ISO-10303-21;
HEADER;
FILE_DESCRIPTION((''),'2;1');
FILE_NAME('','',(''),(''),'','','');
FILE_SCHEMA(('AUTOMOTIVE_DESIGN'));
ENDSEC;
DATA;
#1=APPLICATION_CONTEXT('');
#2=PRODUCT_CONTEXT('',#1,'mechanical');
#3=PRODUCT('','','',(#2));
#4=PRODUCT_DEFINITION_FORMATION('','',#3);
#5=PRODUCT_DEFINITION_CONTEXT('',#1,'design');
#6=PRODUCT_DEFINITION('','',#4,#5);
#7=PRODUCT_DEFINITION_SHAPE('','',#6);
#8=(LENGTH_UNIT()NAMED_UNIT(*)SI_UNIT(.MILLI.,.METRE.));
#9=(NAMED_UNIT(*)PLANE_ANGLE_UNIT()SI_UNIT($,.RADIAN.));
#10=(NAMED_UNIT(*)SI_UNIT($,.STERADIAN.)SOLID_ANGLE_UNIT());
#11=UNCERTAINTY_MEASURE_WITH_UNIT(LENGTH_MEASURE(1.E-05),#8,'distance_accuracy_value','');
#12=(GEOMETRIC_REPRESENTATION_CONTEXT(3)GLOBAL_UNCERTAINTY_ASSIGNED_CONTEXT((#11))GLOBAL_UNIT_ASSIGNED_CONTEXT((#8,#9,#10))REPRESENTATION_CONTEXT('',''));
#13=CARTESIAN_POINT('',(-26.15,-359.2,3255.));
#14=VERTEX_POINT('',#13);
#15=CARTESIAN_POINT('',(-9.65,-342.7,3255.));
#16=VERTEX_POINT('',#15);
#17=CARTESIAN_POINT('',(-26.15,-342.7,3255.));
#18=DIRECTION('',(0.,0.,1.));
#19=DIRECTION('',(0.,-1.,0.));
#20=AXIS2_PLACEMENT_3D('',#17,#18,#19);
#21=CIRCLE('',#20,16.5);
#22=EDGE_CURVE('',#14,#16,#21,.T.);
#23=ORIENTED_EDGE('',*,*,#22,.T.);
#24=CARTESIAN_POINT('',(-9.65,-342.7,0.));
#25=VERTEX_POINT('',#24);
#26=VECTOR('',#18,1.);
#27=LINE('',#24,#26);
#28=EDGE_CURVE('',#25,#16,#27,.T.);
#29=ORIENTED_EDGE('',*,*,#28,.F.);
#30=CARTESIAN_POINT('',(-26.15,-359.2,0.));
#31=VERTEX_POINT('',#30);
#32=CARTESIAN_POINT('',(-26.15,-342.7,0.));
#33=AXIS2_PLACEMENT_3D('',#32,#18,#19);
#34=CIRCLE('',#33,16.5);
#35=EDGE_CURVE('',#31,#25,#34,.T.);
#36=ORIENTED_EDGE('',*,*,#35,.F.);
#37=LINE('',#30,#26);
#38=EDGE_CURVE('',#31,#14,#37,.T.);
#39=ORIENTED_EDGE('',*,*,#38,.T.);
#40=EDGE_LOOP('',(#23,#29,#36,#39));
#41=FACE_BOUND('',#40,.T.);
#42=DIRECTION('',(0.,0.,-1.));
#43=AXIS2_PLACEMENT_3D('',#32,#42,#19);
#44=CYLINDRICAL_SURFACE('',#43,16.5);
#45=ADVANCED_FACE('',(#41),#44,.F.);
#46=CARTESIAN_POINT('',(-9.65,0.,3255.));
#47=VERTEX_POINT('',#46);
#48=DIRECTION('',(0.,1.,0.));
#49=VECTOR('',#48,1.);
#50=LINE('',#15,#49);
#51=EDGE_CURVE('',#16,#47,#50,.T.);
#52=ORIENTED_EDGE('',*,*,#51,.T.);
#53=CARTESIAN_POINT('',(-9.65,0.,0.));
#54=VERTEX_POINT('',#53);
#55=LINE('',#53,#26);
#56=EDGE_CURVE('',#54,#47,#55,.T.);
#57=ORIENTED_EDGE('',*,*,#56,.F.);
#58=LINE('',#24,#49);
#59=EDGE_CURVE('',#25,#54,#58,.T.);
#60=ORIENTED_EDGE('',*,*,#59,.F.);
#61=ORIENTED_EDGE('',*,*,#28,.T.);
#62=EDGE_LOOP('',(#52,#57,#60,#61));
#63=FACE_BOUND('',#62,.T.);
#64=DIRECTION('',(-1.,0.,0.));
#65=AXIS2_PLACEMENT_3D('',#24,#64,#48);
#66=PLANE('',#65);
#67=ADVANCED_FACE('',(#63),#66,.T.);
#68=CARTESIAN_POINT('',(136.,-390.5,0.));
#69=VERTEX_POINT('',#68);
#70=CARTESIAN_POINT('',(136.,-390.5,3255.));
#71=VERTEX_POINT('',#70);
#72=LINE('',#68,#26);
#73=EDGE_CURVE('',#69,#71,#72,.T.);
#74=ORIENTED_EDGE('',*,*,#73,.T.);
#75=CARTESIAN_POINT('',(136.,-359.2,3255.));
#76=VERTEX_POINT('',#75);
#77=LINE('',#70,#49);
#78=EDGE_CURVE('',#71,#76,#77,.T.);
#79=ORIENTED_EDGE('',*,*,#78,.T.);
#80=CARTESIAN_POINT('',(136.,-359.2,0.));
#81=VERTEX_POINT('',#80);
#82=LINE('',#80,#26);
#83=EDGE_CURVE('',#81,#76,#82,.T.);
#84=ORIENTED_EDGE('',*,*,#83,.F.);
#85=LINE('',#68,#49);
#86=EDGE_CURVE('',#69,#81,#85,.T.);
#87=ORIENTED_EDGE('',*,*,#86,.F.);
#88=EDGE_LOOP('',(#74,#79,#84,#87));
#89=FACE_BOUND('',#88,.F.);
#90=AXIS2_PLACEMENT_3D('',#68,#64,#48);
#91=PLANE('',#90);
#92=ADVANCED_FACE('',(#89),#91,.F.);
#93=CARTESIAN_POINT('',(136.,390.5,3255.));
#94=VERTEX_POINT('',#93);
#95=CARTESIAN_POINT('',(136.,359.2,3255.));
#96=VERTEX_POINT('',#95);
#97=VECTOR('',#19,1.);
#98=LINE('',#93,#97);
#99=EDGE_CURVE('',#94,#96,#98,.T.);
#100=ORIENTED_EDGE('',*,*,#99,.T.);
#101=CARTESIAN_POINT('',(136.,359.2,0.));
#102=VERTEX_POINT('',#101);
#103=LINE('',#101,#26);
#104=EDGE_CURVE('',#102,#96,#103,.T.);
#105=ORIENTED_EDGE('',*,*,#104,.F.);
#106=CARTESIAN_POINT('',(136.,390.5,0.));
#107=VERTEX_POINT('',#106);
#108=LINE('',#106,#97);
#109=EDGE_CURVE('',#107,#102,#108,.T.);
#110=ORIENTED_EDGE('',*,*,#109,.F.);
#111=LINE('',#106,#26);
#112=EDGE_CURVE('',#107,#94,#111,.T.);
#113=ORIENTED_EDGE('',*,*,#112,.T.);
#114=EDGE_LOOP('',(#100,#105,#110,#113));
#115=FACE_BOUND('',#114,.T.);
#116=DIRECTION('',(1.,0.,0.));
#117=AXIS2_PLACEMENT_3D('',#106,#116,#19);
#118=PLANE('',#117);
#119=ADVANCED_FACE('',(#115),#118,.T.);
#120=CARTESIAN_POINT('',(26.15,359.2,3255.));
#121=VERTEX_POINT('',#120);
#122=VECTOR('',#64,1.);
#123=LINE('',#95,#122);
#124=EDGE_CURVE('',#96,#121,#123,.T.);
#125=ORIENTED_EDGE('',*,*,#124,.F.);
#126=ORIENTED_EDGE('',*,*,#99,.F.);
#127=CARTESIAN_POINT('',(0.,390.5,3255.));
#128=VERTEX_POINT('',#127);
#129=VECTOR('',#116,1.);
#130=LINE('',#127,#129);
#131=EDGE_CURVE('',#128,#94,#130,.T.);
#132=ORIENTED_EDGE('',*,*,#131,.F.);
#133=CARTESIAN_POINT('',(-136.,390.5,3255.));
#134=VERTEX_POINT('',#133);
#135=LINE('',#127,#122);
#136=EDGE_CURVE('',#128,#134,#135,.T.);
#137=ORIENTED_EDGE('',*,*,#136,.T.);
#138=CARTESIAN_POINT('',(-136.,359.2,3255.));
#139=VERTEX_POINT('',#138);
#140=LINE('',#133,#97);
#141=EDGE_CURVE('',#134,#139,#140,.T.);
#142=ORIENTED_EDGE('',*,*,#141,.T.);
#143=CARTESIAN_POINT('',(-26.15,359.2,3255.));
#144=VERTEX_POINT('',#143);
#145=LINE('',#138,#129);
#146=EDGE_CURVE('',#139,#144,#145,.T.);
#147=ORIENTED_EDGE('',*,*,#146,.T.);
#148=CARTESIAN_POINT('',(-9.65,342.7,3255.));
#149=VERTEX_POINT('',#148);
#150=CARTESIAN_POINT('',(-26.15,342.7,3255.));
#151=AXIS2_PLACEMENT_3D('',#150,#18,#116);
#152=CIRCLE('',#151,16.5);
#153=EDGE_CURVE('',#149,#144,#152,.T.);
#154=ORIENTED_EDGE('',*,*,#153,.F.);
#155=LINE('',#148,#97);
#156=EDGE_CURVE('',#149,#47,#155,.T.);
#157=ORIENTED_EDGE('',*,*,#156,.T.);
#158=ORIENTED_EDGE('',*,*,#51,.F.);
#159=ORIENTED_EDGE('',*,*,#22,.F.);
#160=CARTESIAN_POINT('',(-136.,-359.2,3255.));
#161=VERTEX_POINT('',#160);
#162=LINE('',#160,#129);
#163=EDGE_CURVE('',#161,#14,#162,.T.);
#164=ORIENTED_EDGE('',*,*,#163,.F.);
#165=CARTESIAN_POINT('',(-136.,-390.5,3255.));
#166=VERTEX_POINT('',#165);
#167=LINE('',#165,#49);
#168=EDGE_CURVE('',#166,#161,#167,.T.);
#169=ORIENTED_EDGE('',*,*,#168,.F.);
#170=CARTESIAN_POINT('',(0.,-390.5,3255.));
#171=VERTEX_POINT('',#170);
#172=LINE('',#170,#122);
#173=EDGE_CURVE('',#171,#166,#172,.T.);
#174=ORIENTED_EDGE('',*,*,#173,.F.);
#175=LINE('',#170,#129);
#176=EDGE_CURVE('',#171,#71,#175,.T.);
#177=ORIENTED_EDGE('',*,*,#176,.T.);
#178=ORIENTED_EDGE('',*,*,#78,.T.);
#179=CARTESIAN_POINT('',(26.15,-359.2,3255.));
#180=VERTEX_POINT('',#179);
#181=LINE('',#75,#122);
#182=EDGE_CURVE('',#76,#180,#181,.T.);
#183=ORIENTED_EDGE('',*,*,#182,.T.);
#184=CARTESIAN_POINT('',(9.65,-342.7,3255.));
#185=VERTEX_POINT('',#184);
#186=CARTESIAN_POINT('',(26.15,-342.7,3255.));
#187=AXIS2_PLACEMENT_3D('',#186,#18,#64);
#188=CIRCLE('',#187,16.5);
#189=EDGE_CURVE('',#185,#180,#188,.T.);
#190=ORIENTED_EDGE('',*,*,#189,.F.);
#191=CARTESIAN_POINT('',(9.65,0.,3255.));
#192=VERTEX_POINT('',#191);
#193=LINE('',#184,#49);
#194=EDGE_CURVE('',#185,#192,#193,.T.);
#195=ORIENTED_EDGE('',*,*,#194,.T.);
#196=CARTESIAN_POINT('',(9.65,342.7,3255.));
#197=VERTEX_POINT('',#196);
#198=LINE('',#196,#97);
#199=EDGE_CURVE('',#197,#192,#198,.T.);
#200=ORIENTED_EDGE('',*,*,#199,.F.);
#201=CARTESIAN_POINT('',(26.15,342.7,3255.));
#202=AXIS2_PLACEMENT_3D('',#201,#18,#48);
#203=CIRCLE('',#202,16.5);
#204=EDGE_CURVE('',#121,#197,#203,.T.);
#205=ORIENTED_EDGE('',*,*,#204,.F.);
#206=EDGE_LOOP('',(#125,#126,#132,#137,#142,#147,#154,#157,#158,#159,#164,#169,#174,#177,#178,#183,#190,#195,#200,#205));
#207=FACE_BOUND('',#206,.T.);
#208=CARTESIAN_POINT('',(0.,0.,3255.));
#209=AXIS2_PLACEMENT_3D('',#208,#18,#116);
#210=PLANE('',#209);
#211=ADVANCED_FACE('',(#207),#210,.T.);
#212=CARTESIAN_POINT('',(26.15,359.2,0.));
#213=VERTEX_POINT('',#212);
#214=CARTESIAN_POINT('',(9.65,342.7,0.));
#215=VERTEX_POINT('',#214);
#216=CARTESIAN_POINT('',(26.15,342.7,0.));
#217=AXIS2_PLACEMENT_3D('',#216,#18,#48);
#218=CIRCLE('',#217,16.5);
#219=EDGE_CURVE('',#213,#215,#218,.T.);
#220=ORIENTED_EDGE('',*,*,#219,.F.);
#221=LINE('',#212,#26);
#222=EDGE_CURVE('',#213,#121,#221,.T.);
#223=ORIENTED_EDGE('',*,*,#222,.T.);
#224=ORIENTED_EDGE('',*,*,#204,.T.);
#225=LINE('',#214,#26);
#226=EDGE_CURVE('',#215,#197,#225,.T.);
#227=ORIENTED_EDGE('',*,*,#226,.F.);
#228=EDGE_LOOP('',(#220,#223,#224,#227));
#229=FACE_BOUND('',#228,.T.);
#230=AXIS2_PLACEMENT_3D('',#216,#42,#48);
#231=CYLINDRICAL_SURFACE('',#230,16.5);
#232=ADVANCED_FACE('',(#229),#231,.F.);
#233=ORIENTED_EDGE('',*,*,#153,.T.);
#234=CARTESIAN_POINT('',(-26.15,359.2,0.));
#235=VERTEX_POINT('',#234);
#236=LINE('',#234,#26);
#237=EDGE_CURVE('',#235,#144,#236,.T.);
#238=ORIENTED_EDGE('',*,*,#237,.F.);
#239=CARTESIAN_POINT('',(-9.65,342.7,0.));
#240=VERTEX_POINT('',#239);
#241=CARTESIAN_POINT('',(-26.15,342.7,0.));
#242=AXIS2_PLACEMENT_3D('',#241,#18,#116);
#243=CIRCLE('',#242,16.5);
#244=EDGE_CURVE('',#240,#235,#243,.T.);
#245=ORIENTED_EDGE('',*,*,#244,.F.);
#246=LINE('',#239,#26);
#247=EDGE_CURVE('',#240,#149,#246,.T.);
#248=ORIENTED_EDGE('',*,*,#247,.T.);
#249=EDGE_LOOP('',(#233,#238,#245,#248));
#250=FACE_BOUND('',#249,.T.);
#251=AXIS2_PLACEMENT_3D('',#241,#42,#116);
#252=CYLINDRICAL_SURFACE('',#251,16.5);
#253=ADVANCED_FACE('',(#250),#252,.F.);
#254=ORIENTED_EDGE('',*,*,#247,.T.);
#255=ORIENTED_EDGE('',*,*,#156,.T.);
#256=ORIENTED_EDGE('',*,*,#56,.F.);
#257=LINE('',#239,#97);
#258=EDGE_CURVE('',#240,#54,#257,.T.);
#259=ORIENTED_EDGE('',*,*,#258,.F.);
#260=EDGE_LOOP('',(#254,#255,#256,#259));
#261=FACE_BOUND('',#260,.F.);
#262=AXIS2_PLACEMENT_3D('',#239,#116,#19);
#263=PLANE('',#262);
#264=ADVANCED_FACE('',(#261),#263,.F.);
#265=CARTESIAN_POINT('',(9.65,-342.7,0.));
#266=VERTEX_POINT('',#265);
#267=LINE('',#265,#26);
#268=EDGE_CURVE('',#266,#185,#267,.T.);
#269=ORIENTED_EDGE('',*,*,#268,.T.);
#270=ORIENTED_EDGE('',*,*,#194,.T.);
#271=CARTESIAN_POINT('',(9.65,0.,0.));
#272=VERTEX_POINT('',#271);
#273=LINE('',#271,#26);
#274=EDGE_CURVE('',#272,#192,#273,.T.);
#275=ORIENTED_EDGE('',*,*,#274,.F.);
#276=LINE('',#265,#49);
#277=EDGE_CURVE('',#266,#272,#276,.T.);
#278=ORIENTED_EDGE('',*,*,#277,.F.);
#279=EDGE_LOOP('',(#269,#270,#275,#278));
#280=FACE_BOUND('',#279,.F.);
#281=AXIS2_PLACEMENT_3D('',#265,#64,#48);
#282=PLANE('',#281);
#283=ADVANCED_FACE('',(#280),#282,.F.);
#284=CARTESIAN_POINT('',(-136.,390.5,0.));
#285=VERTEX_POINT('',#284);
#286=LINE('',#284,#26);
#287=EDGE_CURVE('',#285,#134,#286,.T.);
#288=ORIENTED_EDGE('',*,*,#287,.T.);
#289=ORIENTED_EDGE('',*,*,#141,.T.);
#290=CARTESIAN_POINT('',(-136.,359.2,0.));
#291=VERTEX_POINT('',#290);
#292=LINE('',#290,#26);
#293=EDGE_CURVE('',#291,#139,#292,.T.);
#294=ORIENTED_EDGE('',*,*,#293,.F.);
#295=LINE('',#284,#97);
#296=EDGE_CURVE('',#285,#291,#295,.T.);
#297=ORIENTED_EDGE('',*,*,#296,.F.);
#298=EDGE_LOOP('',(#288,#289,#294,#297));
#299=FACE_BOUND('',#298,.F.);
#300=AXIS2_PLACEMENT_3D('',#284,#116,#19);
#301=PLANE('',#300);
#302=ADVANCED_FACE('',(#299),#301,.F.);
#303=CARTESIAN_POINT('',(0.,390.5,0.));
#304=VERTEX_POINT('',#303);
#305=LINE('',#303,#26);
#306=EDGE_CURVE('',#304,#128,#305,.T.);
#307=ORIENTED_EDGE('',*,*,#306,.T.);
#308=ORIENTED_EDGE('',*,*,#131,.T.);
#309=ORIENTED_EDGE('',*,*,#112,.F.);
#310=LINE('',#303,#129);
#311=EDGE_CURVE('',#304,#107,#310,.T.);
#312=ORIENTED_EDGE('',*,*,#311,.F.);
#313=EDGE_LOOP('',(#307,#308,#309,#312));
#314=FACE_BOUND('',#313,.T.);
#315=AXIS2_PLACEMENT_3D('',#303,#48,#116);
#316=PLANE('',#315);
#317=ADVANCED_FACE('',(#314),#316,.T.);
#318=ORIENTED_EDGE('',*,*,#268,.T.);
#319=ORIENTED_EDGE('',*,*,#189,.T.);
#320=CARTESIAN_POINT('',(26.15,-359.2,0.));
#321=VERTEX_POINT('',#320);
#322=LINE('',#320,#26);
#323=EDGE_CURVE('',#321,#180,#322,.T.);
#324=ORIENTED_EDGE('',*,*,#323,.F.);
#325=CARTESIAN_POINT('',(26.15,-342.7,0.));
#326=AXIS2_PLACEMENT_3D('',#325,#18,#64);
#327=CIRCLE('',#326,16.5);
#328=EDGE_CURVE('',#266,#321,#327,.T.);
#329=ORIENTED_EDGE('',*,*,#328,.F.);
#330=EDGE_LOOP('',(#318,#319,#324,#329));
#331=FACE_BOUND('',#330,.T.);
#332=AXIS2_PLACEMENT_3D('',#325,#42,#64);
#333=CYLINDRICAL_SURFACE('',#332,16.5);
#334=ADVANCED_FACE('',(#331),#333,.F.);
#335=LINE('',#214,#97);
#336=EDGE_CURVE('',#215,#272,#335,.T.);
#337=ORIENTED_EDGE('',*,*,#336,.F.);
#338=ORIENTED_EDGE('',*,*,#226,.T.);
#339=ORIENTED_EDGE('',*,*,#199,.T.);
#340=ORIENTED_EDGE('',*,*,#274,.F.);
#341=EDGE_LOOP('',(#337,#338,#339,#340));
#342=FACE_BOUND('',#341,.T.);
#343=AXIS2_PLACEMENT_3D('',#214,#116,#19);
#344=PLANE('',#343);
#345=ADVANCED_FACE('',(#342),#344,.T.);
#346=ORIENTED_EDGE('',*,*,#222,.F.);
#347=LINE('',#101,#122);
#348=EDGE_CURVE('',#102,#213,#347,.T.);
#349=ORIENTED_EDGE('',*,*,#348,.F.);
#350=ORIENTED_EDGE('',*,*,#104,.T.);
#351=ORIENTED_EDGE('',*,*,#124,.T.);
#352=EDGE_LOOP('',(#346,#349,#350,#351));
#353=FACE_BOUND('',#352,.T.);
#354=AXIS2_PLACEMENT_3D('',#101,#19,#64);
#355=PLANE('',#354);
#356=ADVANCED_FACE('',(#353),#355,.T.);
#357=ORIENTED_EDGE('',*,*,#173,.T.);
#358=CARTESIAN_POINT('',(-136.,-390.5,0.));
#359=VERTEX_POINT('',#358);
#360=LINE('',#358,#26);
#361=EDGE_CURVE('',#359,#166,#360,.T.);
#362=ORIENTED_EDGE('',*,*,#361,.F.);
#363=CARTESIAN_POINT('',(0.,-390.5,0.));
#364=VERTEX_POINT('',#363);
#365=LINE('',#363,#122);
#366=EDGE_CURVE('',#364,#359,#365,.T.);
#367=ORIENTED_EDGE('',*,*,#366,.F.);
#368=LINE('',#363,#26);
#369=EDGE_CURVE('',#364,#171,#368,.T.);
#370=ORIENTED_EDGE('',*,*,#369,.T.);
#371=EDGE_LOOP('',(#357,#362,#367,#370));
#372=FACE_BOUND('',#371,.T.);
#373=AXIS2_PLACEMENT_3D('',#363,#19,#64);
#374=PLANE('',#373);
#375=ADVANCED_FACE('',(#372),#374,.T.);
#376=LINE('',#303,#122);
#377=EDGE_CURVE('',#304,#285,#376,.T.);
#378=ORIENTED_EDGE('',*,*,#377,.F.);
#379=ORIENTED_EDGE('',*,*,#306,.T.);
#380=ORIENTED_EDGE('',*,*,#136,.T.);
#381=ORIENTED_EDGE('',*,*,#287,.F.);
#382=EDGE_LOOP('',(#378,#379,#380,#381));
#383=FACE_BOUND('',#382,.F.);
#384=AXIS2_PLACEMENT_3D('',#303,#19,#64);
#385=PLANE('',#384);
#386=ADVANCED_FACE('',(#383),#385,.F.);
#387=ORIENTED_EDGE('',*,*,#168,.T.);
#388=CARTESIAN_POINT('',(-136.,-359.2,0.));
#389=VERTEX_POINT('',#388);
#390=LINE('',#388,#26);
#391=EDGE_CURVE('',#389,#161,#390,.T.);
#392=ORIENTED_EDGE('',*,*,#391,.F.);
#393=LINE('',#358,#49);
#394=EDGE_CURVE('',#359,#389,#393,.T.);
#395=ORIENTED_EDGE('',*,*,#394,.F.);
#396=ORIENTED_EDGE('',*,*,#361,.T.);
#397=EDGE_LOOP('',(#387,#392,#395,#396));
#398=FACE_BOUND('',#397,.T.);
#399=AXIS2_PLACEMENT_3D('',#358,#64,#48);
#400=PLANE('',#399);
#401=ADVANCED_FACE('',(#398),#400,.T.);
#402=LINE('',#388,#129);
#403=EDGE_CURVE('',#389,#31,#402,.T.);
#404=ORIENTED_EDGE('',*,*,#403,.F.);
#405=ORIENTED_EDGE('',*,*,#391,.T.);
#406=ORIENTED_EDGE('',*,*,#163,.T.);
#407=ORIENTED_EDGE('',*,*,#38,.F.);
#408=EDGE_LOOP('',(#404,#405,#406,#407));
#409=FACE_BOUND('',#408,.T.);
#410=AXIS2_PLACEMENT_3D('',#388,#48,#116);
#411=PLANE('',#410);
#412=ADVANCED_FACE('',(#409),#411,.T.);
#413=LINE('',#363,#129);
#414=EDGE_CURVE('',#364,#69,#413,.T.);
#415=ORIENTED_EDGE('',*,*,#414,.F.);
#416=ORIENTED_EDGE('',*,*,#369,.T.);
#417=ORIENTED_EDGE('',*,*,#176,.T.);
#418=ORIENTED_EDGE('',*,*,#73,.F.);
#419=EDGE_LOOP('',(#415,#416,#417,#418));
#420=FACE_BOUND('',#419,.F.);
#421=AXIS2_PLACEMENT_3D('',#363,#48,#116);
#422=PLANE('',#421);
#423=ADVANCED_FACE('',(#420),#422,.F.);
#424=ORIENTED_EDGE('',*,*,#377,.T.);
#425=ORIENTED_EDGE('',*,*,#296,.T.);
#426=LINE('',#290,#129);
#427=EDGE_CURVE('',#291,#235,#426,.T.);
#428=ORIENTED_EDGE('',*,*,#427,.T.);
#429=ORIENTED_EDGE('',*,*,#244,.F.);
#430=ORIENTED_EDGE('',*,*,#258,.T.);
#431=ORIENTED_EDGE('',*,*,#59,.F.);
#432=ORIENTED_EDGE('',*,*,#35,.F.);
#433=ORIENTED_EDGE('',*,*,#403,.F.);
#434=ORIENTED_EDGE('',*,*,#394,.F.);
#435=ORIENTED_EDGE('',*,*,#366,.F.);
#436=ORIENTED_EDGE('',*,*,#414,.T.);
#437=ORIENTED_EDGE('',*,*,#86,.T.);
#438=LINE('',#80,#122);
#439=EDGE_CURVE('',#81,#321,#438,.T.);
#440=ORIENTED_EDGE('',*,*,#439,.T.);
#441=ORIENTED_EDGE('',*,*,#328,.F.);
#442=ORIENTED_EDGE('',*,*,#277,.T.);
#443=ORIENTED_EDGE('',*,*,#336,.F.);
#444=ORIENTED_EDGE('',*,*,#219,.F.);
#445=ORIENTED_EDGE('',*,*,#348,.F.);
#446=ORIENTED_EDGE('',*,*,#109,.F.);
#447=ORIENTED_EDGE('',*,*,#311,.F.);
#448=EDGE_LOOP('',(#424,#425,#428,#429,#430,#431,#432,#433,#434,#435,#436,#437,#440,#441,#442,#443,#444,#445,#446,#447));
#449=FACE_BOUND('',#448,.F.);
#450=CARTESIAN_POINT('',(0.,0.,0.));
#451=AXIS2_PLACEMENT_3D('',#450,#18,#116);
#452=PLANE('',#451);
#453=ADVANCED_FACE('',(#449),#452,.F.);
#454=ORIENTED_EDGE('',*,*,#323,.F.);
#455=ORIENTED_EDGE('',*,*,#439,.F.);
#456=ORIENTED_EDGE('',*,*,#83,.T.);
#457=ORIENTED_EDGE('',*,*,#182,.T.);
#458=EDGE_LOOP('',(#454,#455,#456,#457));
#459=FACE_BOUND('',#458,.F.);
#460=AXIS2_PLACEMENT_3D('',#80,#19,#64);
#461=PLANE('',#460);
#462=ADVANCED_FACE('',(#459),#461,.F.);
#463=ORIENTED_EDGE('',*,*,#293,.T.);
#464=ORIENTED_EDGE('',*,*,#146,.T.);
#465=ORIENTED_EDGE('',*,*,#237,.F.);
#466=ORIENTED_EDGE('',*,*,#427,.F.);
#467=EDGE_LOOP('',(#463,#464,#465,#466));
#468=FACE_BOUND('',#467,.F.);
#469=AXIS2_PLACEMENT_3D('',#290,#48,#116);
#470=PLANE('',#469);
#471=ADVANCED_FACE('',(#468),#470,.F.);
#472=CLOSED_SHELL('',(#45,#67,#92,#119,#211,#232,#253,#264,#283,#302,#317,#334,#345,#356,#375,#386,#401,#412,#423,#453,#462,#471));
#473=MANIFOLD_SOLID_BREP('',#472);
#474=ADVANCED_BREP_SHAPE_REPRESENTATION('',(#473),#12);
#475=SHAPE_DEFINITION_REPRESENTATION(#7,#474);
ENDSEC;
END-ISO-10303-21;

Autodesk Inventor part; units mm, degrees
ref_plane "YZ Plane" through (0, 0, 0) normal (1, 0, 0) x (0, 1, 0)
ref_plane "Start plane" through (0, 0, 0) normal (0, 0, 1) x (1, 0, 0)
ref_plane "End plane" through (0, 0, 3255) normal (0, 0, 1) x (1, 0, 0)
sketch "Sketch" plane through (0, 0, 0) normal (0, 0, 1) x (1, 0, 0)
  line L0 (-136, -390.5) -> (-136, -359.2)
  line L1 (-136, -359.2) -> (-26.15, -359.2)
  line L2 (-9.65, -342.7) -> (-9.65, 0)
  line L3 (-9.65, 0) -> (0, 0) construction
  line L4 (0, 0) -> (0, -390.5) construction
  line L5 (0, -390.5) -> (-136, -390.5)
  line L6 (-60, 0) -> (80, 0) construction
  line L7 (0, -60) -> (0, 80) construction
  line L8 (136, -390.5) -> (136, -359.2)
  line L9 (136, -359.2) -> (26.15, -359.2)
  line L10 (9.65, -342.7) -> (9.65, 0)
  line L11 (9.65, 0) -> (0, 0) construction
  line L12 (0, -390.5) -> (136, -390.5)
  line L13 (-136, 390.5) -> (-136, 359.2)
  line L14 (-136, 359.2) -> (-26.15, 359.2)
  line L15 (-9.65, 342.7) -> (-9.65, 0)
  line L16 (0, 390.5) -> (-136, 390.5)
  line L17 (136, 390.5) -> (136, 359.2)
  line L18 (136, 359.2) -> (26.15, 359.2)
  line L19 (0, 390.5) -> (136, 390.5)
  line L20 (9.65, 342.7) -> (9.65, 0)
  arc A0 (-9.65, 342.7) -> (-26.15, 359.2) centre (-26.15, 342.7) ccw
  arc A1 (26.15, 359.2) -> (9.65, 342.7) centre (26.15, 342.7) ccw
  arc A2 (9.65, -342.7) -> (26.15, -359.2) centre (26.15, -342.7) ccw
  arc A3 (-26.15, -359.2) -> (-9.65, -342.7) centre (-26.15, -342.7) ccw
  line L21 (0, 108) -> (0, -88) construction
  line L22 (-88, 0) -> (108, 0) construction
  point P0 (-9.65, -359.2)
  point P1 (9.65, -359.2)
  point P2 (-9.65, 359.2)
  point P3 (9.65, 359.2)
  dimension "d1" = 390.5
  dimension "d2" = 31.3
  dimension "d3" = 136
  dimension "d4" = 9.65
  dimension "d10" = 16.5
extrude "Body" add sketch "Sketch" along normal up to surface (3255 mm away) from surface at 0
sketch "Sketch4" plane through (0, 0, 0) normal (0, 0, 1) x (1, 0, 0)
  line L0 (0, 0) -> (10, 0)
ref_plane "Work Plane3" through (0, 0, 0) normal (0, -1, 0) x (1, 0, 0)
sketch "Sketch5" plane through (0, 0, 0) normal (0, -1, 0) x (1, 0, 0)
  line L0 (-2, 0) -> (12, 0) projected
  line L1 (-2, 3255) -> (12, 3255) projected
  dimension "d14" = 3255
equation "\"d1\" = 0.5 * G_H"
equation "\"d2\" = G_T1"
equation "\"d3\" = 0.5 * G_W"
equation "\"d4\" = 0.5 * G_T"
equation "\"d10\" = G_IR"
equation "\"d5\" = G_L"
equation "\"G_W\" = 272"
equation "\"G_H\" = 781"
equation "\"G_T\" = 19.3"
equation "\"G_T1\" = 31.3"
equation "\"G_IR\" = 16.5"
equation "\"G_L\" = d14"
equation "\"G_OFFSET_START\" = 0"
equation "\"G_OFFSET_END\" = 0"
equation "\"d12\" = G_OFFSET_END + B_L"
equation "\"B_L\" = 3255"
properties part number "AS 3679-1990 - 760 UB - 244 - 3255" material "Steel, Mild"
